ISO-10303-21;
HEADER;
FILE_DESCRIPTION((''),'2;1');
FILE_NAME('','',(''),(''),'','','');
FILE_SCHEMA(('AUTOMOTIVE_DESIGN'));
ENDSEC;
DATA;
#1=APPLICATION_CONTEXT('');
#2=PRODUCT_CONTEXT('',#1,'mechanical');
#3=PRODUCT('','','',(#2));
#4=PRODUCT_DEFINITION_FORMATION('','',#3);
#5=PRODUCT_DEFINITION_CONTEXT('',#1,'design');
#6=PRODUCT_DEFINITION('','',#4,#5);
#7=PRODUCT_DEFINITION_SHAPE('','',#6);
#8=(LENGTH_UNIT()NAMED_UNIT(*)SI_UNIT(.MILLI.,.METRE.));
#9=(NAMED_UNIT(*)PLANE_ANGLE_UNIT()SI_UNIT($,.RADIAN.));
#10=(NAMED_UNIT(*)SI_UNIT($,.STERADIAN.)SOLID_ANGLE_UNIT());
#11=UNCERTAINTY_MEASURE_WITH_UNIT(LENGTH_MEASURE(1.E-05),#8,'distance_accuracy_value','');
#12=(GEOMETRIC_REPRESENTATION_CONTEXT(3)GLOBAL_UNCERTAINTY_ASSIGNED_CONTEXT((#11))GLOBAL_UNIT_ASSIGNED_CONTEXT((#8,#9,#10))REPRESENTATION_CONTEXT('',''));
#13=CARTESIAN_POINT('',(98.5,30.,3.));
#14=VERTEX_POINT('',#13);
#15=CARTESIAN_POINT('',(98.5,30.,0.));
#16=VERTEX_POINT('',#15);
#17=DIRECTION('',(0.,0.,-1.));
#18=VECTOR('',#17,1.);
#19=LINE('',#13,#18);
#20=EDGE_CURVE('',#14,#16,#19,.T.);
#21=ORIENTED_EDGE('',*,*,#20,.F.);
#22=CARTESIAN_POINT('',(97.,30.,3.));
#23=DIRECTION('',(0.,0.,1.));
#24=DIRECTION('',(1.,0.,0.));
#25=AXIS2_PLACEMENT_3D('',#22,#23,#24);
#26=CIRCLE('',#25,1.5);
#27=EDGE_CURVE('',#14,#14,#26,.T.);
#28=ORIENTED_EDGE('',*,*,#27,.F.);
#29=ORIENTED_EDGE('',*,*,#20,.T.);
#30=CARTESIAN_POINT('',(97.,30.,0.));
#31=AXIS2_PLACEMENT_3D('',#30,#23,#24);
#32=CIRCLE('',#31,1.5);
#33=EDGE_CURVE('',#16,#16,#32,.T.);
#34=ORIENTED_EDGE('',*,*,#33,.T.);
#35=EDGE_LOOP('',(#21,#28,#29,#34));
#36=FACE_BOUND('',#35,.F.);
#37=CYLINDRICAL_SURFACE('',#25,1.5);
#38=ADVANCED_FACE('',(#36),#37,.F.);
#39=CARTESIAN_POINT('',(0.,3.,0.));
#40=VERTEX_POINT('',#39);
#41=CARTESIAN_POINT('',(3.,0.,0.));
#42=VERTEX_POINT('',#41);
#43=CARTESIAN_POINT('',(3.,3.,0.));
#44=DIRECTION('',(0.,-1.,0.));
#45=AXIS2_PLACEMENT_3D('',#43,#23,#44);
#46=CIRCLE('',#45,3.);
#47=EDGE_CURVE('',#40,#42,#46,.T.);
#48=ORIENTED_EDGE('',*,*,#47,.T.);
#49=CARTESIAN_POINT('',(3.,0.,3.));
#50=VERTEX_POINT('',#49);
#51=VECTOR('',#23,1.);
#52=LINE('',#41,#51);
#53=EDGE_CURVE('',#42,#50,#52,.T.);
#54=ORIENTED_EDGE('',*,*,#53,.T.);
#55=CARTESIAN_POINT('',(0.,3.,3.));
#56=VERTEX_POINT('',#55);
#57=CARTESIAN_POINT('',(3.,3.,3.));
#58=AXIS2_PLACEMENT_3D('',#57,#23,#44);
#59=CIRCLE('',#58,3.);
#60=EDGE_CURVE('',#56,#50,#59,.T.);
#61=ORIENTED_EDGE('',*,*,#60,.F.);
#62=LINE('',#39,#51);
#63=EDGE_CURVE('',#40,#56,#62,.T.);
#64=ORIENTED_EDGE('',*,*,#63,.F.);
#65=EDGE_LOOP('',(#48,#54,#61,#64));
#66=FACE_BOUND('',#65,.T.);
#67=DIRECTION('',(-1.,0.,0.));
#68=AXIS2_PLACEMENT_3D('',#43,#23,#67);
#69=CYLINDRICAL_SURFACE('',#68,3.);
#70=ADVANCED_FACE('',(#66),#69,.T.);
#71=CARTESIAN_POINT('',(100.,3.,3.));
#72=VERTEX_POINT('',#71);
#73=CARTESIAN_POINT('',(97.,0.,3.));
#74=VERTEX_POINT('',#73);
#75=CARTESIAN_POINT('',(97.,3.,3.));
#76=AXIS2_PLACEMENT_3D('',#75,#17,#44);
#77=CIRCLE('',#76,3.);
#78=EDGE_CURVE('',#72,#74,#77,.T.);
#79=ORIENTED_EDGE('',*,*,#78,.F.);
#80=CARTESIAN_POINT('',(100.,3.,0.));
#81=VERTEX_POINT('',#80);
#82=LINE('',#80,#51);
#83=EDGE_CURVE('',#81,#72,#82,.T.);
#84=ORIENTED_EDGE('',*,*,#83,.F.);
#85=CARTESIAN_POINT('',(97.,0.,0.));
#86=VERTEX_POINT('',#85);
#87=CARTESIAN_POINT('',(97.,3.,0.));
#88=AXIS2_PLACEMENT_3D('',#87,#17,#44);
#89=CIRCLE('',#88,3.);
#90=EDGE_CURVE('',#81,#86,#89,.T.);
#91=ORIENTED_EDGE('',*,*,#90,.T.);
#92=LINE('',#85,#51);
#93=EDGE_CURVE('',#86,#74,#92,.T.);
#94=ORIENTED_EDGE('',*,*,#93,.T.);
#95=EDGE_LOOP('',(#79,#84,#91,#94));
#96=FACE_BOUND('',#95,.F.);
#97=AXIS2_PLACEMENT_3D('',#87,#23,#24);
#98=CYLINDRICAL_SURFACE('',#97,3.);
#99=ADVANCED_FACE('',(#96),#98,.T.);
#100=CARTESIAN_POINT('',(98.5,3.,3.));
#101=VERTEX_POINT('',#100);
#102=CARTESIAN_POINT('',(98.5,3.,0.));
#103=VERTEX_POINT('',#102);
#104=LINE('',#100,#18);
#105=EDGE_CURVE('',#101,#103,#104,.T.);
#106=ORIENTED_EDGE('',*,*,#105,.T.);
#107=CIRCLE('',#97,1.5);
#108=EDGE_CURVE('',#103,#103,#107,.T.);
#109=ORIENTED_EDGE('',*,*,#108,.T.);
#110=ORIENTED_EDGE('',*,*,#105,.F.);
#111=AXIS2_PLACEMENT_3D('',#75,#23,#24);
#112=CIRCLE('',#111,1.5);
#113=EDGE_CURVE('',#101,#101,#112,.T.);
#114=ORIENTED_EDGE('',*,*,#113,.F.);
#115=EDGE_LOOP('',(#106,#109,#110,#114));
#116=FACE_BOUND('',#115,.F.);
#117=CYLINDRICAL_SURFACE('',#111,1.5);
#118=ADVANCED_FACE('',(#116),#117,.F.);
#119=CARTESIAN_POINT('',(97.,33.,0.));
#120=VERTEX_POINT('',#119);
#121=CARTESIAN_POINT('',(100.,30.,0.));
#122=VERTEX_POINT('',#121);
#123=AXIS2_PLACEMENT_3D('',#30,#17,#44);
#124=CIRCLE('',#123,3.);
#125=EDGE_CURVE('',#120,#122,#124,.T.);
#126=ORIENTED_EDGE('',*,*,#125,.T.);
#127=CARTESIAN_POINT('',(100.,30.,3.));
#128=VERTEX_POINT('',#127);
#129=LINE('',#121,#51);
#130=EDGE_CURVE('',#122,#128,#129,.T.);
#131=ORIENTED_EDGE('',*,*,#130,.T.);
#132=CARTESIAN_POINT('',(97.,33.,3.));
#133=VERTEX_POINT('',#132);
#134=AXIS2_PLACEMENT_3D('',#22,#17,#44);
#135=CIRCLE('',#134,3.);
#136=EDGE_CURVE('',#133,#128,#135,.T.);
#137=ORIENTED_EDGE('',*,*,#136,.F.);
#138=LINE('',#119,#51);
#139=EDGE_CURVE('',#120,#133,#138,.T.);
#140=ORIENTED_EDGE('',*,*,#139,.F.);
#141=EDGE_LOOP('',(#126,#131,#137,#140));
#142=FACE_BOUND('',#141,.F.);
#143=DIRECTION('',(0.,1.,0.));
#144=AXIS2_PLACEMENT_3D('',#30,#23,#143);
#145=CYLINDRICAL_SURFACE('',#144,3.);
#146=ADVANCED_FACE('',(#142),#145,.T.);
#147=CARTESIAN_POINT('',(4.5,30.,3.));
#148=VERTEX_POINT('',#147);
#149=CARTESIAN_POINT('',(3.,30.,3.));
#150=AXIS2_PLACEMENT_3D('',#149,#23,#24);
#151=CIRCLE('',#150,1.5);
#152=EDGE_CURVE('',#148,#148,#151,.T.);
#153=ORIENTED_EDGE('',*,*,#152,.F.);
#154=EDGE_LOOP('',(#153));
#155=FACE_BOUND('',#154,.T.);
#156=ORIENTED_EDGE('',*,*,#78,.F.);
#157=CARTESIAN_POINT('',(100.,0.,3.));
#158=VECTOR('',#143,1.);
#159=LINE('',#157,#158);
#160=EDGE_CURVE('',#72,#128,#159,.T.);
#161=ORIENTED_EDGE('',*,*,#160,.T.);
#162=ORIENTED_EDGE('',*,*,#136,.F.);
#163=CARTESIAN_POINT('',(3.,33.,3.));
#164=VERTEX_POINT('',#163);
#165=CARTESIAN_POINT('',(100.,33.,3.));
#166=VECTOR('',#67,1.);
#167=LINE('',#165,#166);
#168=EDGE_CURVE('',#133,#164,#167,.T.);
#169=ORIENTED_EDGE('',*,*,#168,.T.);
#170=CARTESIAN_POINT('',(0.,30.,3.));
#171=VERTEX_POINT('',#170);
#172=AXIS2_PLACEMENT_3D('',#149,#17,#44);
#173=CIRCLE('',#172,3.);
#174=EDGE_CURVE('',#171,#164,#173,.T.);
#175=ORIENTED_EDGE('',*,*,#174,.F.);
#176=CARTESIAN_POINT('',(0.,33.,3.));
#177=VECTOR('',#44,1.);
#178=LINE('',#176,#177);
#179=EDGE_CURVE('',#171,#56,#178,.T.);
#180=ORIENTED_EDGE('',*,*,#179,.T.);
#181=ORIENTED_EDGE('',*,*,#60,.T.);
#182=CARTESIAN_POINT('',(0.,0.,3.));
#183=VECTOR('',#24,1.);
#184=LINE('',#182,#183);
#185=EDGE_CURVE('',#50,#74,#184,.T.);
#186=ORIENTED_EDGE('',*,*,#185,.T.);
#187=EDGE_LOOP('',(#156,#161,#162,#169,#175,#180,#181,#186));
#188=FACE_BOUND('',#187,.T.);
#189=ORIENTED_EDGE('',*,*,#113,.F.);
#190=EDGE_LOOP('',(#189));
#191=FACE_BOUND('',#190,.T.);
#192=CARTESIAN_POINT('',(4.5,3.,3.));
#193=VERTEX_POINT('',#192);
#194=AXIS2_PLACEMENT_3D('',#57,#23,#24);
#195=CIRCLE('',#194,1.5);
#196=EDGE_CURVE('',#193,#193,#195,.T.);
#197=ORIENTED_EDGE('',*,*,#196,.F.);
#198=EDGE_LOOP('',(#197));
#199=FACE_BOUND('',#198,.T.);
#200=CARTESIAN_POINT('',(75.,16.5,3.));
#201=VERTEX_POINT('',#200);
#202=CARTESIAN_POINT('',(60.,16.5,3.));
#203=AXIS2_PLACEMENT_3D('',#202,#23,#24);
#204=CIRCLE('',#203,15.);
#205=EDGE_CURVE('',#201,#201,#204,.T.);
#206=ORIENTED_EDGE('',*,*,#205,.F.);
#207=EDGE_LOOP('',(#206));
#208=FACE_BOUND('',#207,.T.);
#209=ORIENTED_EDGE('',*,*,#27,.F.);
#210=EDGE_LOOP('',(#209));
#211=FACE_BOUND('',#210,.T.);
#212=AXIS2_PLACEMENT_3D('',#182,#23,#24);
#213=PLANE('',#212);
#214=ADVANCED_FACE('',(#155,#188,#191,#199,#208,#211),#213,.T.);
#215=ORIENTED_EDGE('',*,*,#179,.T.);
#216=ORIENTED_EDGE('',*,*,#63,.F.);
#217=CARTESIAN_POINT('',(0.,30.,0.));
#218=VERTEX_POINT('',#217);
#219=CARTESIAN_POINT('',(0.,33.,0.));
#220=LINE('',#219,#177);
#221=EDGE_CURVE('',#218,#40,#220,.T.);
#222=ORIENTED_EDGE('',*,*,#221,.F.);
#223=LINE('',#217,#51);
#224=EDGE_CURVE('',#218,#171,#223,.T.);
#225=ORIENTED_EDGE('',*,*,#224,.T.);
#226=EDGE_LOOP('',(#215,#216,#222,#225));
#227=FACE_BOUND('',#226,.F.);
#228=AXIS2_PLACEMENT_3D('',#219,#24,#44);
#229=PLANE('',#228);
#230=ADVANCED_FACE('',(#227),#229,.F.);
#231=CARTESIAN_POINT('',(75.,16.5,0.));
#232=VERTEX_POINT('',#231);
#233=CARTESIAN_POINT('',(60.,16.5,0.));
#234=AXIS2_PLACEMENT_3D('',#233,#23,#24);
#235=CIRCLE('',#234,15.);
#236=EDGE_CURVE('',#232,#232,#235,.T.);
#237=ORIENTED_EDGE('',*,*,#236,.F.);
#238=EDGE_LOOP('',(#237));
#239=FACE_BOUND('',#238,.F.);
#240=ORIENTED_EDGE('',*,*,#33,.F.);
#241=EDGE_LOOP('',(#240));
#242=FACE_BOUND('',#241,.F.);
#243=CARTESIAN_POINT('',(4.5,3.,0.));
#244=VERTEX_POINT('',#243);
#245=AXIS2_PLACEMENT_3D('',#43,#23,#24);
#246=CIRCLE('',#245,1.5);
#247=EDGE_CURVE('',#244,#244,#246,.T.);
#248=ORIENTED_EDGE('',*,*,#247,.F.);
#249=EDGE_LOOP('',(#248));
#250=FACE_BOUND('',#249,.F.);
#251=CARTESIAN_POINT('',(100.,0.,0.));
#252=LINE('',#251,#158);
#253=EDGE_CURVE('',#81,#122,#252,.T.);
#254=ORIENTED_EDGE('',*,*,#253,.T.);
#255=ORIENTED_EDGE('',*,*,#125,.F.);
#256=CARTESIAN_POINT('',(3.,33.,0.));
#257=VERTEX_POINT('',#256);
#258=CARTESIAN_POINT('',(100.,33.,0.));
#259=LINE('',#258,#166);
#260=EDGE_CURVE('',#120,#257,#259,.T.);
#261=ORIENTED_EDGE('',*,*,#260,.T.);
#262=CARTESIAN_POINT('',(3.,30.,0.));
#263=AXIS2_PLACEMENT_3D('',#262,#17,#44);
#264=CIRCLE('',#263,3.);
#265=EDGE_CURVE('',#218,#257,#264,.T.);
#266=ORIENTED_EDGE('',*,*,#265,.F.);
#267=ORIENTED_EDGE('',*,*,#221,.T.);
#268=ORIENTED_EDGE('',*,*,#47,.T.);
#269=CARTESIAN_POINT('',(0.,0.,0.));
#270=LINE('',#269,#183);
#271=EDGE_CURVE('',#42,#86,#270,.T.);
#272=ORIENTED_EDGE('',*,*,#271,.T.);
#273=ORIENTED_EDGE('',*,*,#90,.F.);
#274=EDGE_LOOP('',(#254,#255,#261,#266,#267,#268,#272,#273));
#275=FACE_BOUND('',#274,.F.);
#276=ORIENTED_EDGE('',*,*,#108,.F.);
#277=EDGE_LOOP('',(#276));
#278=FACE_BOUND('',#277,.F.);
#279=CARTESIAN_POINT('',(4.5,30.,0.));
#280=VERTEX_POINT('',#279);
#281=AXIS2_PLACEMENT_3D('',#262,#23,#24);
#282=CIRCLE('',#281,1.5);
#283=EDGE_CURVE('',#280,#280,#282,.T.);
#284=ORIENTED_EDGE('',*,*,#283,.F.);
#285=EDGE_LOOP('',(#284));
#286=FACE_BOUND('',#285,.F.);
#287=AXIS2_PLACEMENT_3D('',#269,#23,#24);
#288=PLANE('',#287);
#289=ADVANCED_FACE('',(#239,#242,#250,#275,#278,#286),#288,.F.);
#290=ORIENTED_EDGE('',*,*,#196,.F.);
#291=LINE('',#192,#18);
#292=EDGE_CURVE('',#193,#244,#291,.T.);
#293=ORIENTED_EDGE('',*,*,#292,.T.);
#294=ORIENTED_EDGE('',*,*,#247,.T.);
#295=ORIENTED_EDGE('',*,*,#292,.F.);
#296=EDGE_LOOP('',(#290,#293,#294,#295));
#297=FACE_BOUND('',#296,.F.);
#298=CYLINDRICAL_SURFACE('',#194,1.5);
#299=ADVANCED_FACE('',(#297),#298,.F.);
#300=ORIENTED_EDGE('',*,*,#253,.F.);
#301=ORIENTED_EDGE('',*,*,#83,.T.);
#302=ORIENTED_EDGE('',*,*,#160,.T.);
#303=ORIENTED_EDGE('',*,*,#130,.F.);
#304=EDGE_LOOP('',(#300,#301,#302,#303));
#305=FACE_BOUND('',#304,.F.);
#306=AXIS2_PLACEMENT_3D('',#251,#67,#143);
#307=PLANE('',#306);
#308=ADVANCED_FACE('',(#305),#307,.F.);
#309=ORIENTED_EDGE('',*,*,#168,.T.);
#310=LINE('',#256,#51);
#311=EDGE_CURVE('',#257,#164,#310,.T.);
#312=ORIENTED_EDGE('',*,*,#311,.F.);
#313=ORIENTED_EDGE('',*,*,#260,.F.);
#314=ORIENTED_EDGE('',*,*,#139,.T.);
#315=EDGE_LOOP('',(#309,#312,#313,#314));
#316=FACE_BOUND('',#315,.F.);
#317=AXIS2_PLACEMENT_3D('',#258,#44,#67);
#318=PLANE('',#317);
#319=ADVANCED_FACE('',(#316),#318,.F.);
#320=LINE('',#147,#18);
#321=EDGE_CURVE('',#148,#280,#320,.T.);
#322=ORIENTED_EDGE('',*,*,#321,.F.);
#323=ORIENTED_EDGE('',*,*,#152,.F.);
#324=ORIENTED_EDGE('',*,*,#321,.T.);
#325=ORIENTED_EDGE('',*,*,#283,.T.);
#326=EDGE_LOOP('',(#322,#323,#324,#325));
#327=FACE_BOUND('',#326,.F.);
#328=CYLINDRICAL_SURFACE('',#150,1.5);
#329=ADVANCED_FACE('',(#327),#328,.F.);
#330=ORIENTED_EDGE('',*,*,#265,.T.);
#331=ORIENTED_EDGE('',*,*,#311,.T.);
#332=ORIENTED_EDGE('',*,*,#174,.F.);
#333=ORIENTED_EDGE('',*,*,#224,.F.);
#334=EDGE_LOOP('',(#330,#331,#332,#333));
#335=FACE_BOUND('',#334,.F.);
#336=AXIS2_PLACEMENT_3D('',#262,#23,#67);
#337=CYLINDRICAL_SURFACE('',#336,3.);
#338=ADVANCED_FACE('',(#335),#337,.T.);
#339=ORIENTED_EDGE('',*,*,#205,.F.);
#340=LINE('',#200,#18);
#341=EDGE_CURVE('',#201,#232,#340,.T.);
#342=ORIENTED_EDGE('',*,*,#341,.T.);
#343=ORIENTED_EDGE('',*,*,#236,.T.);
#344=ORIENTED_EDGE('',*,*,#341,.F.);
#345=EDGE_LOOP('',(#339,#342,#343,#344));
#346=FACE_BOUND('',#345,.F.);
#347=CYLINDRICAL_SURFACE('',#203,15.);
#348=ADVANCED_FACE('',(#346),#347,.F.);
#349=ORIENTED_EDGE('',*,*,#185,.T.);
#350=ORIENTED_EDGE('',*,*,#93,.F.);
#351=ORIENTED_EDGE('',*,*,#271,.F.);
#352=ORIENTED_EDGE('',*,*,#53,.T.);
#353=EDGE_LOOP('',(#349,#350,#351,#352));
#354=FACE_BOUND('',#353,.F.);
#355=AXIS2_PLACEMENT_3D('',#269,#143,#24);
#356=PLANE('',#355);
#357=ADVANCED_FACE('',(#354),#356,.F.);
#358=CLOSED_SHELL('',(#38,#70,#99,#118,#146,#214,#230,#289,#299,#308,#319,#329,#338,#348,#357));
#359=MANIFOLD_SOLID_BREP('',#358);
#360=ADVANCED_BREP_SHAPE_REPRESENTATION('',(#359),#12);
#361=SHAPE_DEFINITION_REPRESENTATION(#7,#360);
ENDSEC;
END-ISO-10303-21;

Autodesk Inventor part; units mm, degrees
ref_plane "우측면도" through (0, 0, 0) normal (1, 0, 0) x (0, 1, 0)
ref_plane "평면도" through (0, 0, 0) normal (0, 1, 0) x (-1, 0, 0)
ref_plane "정면도" through (0, 0, 0) normal (0, 0, 1) x (1, 0, 0)
sketch "스케치1" plane through (0, 0, 0) normal (0, 0, 1) x (1, 0, 0)
  line L0 (0, 0) -> (100, 0)
  line L1 (100, 0) -> (100, 33)
  line L2 (100, 33) -> (0, 33)
  line L3 (0, 33) -> (0, 0)
  dimension "d0" = 100
  dimension "d1" = 33
extrude "돌출1" add sketch "스케치1" along normal blind 3
fillet "모깎기1" radius 3 4 edges at (0, 33, 1.5) (0, 0, 1.5) (100, 0, 1.5) (100, 33, 1.5)
sketch "스케치2" plane through (0, 0, 3) normal (0, 0, 1) x (1, 0, 0)
  circle A0 centre (3, 30) radius 1.5
  circle A1 centre (3, 30) radius 3
  line L0 (100, 33) -> (0, 33) projected
  line L1 (0, 33) -> (0, 0) projected
  circle A2 centre (97, 30) radius 1.5
  circle A3 centre (97, 30) radius 3
  circle A4 centre (3, 3) radius 1.5
  circle A5 centre (3, 3) radius 3
  circle A6 centre (97, 3) radius 1.5
  circle A7 centre (97, 3) radius 3
  dimension "d4" = 3
  dimension "d5" = 6
  dimension "d8" = 94
  dimension "d11" = 27
extrude "돌출2" cut sketch "스케치2" against normal blind 4 contours A0 | A2 | A4 | A6
sketch "스케치3" plane through (0, 0, 3) normal (0, 0, 1) x (1, 0, 0)
  line L0 (45, 31.5) -> (75, 31.5) construction
  line L1 (75, 31.5) -> (75, 1.5) construction
  line L2 (75, 1.5) -> (45, 1.5) construction
  line L3 (45, 1.5) -> (45, 31.5) construction
  line L4 (100, 3) -> (100, 30) projected
  line L5 (3, 0) -> (97, 0) projected
  line L6 (97, 33) -> (3, 33) projected
  circle A0 centre (60, 16.5) radius 15
  point P0 (0, 0)
  dimension "d28" = 25
  dimension "d29" = 1.5
  dimension "d30" = 1.5
  dimension "d33" = 30
extrude "돌출3" cut sketch "스케치3" against normal blind 4
equation "\"d8\" = d0 - d5"
equation "\"d11\" = d1 - d5"
equation "\"d30\" = d29"
properties part number "덮개"
